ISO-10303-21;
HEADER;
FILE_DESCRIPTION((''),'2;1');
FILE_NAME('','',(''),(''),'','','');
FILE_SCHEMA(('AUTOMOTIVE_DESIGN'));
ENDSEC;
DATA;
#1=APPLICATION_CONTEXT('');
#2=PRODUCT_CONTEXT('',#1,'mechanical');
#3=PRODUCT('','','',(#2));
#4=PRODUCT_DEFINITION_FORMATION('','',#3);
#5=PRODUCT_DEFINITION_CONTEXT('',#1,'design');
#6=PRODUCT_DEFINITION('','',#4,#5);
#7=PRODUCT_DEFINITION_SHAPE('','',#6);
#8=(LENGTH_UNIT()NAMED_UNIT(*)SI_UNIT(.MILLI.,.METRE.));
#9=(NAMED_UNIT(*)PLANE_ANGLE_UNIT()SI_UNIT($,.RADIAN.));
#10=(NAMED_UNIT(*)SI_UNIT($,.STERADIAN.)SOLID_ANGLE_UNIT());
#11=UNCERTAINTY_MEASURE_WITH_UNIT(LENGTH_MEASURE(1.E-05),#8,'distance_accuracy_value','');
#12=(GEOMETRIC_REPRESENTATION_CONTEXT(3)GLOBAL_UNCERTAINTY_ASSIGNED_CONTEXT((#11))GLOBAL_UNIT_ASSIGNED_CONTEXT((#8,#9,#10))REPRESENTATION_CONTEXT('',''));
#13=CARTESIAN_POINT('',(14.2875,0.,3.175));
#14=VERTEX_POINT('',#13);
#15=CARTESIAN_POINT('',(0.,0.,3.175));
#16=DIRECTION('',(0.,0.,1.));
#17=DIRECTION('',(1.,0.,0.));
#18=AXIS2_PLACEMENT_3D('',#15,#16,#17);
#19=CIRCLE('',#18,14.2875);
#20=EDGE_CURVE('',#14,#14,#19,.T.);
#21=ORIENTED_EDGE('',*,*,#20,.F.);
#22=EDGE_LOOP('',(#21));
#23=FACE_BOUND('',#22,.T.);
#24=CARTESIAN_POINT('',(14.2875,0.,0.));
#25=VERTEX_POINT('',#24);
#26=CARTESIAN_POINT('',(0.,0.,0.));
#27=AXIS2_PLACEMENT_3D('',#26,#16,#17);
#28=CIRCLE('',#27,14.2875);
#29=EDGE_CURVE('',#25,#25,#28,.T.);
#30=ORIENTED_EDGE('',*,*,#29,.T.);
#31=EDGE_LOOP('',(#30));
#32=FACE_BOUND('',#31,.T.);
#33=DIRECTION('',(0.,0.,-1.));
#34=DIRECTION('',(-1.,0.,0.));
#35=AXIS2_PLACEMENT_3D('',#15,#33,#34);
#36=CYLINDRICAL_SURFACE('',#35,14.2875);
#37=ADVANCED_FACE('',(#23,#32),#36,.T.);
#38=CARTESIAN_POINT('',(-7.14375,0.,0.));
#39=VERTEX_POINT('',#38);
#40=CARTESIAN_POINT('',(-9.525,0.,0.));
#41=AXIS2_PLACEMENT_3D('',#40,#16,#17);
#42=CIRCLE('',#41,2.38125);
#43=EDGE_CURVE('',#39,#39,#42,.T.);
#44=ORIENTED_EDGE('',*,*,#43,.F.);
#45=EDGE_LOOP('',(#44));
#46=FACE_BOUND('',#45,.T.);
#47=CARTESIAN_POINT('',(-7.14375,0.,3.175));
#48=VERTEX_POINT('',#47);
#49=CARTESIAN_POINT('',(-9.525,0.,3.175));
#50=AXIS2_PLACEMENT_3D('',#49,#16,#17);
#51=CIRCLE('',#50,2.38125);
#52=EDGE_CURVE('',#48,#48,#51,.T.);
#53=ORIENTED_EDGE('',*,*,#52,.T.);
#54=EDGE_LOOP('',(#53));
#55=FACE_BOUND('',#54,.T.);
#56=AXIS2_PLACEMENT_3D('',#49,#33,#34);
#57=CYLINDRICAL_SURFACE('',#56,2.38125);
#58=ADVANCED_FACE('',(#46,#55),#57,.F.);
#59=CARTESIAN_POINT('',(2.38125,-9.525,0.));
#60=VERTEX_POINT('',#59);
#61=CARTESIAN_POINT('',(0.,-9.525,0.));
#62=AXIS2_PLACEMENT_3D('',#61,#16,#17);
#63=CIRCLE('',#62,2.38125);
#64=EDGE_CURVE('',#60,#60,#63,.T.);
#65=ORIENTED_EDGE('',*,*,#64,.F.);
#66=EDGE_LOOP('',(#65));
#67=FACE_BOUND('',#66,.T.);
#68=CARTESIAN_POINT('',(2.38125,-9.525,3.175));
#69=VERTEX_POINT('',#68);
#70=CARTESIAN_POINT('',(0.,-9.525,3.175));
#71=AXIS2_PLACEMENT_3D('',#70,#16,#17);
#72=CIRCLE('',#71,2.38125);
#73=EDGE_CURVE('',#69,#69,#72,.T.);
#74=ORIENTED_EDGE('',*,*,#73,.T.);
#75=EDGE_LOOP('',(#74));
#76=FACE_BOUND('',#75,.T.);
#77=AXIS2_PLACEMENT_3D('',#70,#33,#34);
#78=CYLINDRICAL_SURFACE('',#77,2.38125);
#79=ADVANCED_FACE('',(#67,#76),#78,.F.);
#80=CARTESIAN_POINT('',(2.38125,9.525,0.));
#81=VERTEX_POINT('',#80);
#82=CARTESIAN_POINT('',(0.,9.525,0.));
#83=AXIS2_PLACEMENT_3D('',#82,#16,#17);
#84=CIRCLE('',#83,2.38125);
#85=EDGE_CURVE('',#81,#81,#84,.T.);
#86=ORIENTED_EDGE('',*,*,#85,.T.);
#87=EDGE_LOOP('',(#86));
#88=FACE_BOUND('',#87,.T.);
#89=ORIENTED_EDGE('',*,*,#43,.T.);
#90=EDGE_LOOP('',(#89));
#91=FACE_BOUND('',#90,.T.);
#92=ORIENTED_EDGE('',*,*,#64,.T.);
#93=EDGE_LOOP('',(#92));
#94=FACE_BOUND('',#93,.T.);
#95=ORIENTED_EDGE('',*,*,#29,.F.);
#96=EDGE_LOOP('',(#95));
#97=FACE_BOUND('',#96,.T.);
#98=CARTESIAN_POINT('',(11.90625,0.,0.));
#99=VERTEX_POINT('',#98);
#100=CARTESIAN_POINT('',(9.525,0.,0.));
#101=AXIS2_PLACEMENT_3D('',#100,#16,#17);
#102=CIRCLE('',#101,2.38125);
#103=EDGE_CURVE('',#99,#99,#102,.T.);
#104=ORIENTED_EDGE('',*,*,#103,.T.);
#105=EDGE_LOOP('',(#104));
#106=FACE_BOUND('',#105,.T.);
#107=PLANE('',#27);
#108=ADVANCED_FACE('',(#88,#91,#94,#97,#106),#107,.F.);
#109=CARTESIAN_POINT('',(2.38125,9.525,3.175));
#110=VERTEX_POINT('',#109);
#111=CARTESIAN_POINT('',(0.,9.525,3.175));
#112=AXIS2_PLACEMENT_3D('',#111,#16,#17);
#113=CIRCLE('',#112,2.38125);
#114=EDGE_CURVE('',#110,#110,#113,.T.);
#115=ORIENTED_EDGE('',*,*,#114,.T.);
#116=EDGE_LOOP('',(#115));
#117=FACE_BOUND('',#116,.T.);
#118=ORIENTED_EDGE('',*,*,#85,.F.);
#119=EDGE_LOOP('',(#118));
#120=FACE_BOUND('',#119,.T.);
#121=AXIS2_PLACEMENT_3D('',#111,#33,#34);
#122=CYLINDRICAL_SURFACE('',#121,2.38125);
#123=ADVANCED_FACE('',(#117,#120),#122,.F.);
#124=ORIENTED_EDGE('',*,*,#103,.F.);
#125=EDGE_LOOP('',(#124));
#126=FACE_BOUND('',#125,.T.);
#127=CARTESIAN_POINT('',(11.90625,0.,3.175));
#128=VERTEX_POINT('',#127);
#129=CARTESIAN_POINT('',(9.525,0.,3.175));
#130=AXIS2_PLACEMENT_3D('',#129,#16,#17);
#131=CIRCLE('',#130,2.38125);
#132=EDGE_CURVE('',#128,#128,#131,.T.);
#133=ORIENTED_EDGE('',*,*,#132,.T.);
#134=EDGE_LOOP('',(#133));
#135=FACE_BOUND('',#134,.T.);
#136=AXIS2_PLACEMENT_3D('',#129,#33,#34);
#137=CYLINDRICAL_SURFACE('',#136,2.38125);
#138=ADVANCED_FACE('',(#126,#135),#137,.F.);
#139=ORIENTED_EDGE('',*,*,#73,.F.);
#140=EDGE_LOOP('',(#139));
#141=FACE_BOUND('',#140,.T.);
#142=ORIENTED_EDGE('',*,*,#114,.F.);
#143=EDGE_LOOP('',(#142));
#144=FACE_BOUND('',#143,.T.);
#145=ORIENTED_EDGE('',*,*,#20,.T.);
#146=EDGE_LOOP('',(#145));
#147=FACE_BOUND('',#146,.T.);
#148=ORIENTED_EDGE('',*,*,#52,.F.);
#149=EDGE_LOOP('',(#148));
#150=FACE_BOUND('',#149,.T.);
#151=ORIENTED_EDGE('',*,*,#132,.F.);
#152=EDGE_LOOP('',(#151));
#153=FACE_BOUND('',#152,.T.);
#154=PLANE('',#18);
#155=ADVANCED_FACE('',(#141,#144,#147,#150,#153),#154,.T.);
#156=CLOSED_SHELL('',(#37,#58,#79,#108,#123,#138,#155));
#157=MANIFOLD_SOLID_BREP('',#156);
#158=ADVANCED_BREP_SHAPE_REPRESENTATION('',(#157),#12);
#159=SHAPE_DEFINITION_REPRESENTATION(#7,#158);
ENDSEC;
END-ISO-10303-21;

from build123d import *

# Parameters (mm, degrees)
SKETCH1_R           = 14.2875
SKETCH1_R_2         = 2.38125
BOSS_EXTRUDE1_DEPTH = 3.175


with BuildPart() as part:
    # Sketch1 → Boss-Extrude1 (new body)
    with BuildSketch(Plane.XY):
        Circle(SKETCH1_R)
        with Locations((0, 9.525)):
            Circle(SKETCH1_R_2, mode=Mode.SUBTRACT)
        with Locations((9.525, 0)):
            Circle(SKETCH1_R_2, mode=Mode.SUBTRACT)
        with Locations((0, -9.525)):
            Circle(SKETCH1_R_2, mode=Mode.SUBTRACT)
        with Locations((-9.525, 0)):
            Circle(SKETCH1_R_2, mode=Mode.SUBTRACT)
    extrude(amount=BOSS_EXTRUDE1_DEPTH)


solid = part.part
